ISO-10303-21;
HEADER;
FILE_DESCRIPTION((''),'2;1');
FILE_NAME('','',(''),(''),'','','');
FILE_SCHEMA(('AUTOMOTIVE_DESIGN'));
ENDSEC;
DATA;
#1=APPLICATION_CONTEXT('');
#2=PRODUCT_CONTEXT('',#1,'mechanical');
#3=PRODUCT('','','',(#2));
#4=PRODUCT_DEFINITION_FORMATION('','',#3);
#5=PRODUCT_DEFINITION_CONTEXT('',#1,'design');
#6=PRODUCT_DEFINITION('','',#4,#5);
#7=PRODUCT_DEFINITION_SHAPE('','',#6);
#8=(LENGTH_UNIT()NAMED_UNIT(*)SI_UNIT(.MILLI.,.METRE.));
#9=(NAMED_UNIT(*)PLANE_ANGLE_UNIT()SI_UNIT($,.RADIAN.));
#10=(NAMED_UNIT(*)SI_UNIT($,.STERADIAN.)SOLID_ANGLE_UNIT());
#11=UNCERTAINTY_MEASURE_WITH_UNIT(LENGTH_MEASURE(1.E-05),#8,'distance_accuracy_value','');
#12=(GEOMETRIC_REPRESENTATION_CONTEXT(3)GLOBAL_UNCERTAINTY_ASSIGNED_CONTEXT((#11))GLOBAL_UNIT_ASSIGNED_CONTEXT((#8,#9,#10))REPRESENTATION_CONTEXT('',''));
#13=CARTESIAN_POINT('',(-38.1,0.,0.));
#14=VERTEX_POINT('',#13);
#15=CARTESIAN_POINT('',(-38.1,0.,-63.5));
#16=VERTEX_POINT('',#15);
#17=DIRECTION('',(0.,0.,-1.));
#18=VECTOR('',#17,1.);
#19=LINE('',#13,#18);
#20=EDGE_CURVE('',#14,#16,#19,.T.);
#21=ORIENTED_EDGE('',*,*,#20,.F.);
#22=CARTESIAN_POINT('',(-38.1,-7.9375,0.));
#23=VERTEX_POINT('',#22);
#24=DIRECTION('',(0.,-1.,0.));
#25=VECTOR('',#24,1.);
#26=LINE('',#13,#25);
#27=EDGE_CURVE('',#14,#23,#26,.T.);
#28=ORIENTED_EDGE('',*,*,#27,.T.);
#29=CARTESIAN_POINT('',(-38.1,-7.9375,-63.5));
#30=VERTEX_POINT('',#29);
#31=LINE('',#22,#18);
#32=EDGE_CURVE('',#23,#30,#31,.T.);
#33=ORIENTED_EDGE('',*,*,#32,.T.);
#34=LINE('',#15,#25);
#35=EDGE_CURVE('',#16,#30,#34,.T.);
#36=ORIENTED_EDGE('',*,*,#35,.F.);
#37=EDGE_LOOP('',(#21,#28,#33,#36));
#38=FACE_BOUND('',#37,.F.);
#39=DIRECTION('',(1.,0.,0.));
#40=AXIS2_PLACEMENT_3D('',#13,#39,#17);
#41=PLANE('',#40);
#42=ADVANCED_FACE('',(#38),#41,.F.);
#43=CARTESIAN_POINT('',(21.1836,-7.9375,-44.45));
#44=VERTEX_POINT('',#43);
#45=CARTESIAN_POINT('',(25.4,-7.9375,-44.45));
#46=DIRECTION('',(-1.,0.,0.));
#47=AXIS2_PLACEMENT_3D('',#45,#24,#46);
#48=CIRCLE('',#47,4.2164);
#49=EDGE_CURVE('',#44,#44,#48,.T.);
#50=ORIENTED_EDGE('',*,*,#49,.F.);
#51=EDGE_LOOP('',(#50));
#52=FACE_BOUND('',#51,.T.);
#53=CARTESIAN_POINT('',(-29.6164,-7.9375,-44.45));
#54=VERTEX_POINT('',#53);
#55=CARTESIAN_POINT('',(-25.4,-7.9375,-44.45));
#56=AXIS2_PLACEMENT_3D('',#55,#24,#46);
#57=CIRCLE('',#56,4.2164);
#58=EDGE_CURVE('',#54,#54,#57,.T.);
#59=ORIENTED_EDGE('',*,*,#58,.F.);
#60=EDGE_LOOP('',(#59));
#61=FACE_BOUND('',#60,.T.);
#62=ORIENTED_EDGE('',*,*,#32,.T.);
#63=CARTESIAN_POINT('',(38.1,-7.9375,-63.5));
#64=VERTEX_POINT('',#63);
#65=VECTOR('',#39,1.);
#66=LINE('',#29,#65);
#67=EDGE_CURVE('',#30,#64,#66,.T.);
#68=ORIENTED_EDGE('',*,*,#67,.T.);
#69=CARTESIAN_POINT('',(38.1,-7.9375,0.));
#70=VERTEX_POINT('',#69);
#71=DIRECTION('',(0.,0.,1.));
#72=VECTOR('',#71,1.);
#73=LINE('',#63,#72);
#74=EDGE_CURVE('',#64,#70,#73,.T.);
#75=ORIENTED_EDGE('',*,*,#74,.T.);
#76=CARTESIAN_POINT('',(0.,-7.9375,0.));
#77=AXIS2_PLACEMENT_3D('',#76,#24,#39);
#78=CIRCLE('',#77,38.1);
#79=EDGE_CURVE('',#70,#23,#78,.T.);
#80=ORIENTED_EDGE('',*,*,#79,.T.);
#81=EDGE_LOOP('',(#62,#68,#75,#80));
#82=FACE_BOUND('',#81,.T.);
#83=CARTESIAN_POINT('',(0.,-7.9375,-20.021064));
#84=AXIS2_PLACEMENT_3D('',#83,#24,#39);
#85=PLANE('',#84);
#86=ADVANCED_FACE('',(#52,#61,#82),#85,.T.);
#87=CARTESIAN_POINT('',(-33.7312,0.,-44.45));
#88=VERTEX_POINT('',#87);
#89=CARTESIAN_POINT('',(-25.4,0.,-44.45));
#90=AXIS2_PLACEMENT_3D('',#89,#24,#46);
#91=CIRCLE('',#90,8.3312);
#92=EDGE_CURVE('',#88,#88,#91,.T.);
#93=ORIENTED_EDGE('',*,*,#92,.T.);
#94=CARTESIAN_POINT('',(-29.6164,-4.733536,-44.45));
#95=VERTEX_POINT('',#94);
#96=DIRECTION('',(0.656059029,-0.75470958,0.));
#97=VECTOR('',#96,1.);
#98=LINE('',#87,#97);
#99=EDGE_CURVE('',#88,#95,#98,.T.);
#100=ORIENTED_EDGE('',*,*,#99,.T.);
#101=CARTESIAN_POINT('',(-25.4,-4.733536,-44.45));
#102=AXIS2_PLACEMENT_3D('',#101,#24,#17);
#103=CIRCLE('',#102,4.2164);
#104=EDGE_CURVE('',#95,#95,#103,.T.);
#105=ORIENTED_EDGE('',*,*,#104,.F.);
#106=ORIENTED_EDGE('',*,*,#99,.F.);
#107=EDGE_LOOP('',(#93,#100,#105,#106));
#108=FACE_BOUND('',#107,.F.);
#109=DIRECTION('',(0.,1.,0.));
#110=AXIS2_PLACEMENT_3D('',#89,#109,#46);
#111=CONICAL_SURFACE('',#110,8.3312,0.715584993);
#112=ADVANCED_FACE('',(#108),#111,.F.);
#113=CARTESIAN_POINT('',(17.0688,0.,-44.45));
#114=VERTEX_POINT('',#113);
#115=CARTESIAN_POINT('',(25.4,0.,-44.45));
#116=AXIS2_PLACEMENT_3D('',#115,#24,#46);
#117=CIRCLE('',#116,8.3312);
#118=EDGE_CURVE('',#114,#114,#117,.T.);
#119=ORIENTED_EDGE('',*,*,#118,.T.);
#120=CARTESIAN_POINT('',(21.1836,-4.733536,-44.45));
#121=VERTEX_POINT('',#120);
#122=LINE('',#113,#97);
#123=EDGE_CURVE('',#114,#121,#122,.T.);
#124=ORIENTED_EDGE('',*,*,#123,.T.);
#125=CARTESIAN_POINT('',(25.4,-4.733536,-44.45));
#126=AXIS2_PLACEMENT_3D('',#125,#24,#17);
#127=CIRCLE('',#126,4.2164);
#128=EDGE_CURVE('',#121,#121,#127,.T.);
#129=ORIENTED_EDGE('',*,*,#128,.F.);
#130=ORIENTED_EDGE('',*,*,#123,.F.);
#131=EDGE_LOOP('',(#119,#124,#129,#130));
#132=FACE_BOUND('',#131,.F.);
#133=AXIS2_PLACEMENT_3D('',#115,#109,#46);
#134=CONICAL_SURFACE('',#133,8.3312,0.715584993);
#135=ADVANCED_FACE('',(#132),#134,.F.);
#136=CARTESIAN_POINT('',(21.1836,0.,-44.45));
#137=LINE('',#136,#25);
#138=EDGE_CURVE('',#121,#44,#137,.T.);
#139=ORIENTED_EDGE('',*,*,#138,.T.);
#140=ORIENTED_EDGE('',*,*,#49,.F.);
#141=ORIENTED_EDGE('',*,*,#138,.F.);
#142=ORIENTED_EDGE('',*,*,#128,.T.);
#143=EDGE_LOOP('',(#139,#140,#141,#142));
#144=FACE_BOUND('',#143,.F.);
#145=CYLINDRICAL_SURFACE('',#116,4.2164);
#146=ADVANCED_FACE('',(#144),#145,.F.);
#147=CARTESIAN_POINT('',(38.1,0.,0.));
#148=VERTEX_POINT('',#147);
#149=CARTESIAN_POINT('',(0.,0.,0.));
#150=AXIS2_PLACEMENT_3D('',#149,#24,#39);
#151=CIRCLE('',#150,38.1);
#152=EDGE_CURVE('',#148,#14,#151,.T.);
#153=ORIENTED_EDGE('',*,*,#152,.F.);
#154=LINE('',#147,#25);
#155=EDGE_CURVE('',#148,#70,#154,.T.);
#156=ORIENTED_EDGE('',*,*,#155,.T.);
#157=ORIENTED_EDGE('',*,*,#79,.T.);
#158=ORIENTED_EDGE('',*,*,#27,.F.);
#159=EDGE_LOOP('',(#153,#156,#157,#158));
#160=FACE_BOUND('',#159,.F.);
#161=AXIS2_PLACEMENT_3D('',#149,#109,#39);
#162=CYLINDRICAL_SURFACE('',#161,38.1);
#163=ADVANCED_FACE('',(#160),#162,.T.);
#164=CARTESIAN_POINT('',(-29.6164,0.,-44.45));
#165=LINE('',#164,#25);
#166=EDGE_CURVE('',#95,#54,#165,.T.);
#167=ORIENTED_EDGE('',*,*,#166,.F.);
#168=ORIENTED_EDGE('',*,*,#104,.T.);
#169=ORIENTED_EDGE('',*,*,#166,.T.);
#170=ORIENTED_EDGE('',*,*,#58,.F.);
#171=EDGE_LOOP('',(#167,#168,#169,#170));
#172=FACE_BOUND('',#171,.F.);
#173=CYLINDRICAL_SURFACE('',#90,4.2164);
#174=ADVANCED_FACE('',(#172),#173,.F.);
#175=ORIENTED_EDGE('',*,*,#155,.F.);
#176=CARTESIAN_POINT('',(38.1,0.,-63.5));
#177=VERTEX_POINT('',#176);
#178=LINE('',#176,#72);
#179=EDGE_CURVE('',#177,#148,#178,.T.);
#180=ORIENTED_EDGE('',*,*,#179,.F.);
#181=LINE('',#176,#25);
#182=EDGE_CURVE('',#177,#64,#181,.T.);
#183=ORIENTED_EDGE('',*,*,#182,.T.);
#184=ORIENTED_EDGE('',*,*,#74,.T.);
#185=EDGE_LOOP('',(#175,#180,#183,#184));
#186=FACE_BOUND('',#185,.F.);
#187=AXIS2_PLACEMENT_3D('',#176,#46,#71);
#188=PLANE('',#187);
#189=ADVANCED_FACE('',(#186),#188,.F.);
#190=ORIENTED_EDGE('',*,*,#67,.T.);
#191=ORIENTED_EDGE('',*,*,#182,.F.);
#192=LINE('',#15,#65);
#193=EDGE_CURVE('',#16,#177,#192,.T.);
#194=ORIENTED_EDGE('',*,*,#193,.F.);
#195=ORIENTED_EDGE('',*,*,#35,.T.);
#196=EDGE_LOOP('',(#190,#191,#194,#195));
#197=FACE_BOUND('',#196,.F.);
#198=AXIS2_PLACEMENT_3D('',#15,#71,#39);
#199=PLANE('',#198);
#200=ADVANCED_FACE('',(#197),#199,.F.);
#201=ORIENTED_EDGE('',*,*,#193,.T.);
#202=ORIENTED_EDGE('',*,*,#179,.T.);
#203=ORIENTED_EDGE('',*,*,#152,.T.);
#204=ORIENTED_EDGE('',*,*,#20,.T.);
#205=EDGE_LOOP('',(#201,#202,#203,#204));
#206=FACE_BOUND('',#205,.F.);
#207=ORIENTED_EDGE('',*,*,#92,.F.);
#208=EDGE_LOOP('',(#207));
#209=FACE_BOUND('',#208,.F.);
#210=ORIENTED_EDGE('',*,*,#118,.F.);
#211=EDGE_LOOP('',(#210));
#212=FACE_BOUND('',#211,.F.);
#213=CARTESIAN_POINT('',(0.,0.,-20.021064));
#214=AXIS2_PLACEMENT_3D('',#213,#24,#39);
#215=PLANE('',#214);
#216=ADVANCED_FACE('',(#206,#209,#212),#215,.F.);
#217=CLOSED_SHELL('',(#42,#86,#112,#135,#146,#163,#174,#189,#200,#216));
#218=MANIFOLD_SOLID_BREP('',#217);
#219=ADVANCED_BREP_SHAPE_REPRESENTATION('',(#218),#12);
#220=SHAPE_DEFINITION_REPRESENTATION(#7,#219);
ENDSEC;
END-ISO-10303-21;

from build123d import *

# Parameters (mm, degrees)
F1_DEPTH       = 7.9375
F2_D           = 8.4328
F2_CSINK_D     = 16.6624
F2_CSINK_ANGLE = 82


with BuildPart() as f1:
    # F0 (on Front) → F1 (new body)
    with BuildSketch(Plane.XZ):
        with BuildLine():
            Line((38.1, -63.5), (38.1, 0))
            ThreePointArc((38.1, 0), (0, 38.1), (-38.1, 0))
            Line((-38.1, 0), (-38.1, -63.5))
            Line((-38.1, -63.5), (38.1, -63.5))
        make_face()
    extrude(amount=F1_DEPTH)

    # F2 (through all)
    with Locations(Plane(origin=(0, 0, 0), x_dir=(1, 0, 0), z_dir=(0, 1, 0))):
        with Locations((-25.4, 44.45), (25.4, 44.45)):
            CounterSinkHole(F2_D / 2, F2_CSINK_D / 2, counter_sink_angle=F2_CSINK_ANGLE)


solid = f1.part
